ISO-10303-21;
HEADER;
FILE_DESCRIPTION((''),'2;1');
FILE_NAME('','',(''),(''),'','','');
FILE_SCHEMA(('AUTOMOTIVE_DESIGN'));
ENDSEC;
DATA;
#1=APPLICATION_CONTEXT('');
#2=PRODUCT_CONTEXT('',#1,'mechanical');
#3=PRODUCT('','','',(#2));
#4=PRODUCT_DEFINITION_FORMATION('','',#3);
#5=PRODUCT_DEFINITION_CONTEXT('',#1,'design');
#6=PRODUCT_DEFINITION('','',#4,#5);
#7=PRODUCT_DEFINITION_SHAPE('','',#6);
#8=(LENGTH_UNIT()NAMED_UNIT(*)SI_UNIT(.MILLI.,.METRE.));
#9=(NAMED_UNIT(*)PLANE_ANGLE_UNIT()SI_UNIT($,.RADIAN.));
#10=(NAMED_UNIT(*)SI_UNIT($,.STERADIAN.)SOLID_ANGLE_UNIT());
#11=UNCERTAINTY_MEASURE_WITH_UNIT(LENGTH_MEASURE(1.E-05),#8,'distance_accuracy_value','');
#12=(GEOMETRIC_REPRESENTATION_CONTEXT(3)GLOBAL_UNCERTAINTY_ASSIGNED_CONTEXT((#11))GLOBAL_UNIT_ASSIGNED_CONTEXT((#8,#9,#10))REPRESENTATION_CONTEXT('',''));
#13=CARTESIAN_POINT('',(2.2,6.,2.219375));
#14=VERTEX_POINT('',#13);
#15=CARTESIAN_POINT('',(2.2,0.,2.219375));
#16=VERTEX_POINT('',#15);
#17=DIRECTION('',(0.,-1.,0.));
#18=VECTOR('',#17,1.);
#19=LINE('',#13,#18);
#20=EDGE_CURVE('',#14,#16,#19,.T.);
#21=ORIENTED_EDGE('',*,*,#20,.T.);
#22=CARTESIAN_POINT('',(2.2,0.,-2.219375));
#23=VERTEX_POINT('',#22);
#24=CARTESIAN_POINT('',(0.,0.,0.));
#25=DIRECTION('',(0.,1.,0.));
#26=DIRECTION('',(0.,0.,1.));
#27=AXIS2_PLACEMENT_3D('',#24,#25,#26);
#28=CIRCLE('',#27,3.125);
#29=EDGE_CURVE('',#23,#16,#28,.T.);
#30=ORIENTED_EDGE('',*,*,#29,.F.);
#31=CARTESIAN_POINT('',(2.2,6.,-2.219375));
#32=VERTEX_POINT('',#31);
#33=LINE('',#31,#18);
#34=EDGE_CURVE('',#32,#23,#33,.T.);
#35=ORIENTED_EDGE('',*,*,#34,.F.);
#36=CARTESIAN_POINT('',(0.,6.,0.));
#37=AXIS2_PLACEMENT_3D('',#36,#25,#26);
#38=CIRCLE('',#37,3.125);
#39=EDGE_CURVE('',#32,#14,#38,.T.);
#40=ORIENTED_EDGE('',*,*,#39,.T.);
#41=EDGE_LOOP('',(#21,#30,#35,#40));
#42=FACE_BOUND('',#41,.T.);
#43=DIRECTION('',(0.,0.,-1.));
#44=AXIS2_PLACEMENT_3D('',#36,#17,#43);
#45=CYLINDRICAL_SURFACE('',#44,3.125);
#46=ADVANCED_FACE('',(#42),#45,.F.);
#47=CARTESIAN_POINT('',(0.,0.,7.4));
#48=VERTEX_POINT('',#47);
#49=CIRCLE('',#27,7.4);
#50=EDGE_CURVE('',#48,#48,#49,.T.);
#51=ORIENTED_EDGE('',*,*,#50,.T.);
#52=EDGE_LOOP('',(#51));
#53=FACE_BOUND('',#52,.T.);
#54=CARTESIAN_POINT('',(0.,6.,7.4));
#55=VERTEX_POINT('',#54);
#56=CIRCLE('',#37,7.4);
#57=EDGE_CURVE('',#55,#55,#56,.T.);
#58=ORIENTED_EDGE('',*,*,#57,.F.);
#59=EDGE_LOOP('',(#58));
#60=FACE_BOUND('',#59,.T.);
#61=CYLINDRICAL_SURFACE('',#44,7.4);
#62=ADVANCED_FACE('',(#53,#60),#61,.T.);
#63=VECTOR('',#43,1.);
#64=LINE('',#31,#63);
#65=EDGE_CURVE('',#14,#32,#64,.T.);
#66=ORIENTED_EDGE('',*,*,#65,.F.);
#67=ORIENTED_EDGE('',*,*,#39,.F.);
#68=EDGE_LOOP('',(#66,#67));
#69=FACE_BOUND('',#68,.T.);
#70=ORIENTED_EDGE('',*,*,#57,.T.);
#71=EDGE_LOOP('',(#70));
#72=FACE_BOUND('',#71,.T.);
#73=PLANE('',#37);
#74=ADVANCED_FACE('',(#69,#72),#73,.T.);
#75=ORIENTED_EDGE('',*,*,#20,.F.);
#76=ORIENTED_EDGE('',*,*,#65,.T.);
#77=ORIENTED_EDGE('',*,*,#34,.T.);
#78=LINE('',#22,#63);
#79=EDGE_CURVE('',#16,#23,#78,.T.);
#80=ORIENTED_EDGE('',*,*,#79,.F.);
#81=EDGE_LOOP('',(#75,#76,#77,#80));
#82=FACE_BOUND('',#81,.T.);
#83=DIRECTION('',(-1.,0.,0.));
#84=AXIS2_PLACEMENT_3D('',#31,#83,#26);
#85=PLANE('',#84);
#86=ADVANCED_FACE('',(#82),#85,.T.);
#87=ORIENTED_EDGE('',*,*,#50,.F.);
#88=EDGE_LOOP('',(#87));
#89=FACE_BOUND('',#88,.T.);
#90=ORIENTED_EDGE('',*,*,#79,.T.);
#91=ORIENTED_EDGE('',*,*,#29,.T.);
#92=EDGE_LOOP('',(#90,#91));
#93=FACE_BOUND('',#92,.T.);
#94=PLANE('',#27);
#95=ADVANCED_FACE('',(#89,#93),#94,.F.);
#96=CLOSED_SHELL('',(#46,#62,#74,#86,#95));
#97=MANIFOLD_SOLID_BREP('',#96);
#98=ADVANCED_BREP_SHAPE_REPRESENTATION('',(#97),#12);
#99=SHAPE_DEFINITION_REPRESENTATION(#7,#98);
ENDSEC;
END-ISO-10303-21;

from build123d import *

# Parameters (mm, degrees)
SKETCH1_R           = 7.4
BOSS_EXTRUDE1_DEPTH = 6


with BuildPart() as part:
    # Sketch1 → Boss-Extrude1 (new body)
    with BuildSketch(Plane(origin=(0, 0, 0), x_dir=(1, 0, 0), z_dir=(0, 1, 0))):
        with Locations(Location((0, 0, 0), (0, 0, 270))):
            Circle(SKETCH1_R)
        with BuildLine():
            Line((2.2, 2.219374912), (2.2, -2.219374912))
            ThreePointArc((2.2, -2.219374912), (-3.125, 0), (2.2, 2.219374912))
        make_face(mode=Mode.SUBTRACT)
    extrude(amount=BOSS_EXTRUDE1_DEPTH)


solid = part.part
